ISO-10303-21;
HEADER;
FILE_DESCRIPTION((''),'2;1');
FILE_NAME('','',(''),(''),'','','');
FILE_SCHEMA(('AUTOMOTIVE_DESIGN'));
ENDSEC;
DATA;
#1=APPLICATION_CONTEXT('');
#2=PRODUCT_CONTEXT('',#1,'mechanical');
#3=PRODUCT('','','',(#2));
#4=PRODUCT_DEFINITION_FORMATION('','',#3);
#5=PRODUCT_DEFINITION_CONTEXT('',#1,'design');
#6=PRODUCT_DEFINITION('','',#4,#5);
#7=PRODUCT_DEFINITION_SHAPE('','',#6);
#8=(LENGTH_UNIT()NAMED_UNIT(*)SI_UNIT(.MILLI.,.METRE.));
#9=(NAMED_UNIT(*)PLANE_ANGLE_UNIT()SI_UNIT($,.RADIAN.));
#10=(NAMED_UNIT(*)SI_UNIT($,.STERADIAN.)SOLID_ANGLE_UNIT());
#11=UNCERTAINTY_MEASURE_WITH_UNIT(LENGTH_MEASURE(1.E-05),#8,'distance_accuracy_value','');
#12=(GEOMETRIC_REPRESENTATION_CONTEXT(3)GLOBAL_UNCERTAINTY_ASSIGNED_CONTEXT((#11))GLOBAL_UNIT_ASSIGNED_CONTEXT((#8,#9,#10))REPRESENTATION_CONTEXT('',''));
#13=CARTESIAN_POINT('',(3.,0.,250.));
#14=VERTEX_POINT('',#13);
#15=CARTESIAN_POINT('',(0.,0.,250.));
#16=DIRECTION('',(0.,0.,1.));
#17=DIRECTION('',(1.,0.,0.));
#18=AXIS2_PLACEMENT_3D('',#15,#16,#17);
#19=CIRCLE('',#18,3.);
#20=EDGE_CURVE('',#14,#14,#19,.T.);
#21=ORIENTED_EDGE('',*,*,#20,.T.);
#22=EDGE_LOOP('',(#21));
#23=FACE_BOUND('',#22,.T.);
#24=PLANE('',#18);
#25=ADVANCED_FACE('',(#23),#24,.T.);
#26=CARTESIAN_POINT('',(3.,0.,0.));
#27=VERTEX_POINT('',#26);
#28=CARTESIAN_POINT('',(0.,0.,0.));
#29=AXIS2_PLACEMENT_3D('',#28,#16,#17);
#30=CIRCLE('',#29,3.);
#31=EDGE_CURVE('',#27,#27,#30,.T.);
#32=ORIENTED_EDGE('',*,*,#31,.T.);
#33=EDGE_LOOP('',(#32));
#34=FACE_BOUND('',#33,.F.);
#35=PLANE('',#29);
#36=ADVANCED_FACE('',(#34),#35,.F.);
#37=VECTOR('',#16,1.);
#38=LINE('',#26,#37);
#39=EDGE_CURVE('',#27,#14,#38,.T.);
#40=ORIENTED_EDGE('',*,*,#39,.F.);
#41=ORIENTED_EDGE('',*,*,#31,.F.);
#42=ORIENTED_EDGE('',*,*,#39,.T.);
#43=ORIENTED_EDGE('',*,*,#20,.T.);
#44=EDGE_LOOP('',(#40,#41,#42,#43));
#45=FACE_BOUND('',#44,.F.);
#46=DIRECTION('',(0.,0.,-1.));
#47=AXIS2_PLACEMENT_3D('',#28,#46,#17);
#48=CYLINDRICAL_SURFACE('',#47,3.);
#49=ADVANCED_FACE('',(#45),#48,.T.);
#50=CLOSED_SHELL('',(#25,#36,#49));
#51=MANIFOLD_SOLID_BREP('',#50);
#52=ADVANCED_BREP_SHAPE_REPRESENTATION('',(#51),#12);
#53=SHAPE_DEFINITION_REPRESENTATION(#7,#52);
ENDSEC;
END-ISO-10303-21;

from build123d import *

# Parameters (mm, degrees)
SKETCH1_R           = 3
BOSS_EXTRUDE1_DEPTH = 250


with BuildPart() as part:
    # Sketch1 → Boss-Extrude1 (new body)
    with BuildSketch(Plane.XY):
        Circle(SKETCH1_R)
    extrude(amount=BOSS_EXTRUDE1_DEPTH)


solid = part.part
